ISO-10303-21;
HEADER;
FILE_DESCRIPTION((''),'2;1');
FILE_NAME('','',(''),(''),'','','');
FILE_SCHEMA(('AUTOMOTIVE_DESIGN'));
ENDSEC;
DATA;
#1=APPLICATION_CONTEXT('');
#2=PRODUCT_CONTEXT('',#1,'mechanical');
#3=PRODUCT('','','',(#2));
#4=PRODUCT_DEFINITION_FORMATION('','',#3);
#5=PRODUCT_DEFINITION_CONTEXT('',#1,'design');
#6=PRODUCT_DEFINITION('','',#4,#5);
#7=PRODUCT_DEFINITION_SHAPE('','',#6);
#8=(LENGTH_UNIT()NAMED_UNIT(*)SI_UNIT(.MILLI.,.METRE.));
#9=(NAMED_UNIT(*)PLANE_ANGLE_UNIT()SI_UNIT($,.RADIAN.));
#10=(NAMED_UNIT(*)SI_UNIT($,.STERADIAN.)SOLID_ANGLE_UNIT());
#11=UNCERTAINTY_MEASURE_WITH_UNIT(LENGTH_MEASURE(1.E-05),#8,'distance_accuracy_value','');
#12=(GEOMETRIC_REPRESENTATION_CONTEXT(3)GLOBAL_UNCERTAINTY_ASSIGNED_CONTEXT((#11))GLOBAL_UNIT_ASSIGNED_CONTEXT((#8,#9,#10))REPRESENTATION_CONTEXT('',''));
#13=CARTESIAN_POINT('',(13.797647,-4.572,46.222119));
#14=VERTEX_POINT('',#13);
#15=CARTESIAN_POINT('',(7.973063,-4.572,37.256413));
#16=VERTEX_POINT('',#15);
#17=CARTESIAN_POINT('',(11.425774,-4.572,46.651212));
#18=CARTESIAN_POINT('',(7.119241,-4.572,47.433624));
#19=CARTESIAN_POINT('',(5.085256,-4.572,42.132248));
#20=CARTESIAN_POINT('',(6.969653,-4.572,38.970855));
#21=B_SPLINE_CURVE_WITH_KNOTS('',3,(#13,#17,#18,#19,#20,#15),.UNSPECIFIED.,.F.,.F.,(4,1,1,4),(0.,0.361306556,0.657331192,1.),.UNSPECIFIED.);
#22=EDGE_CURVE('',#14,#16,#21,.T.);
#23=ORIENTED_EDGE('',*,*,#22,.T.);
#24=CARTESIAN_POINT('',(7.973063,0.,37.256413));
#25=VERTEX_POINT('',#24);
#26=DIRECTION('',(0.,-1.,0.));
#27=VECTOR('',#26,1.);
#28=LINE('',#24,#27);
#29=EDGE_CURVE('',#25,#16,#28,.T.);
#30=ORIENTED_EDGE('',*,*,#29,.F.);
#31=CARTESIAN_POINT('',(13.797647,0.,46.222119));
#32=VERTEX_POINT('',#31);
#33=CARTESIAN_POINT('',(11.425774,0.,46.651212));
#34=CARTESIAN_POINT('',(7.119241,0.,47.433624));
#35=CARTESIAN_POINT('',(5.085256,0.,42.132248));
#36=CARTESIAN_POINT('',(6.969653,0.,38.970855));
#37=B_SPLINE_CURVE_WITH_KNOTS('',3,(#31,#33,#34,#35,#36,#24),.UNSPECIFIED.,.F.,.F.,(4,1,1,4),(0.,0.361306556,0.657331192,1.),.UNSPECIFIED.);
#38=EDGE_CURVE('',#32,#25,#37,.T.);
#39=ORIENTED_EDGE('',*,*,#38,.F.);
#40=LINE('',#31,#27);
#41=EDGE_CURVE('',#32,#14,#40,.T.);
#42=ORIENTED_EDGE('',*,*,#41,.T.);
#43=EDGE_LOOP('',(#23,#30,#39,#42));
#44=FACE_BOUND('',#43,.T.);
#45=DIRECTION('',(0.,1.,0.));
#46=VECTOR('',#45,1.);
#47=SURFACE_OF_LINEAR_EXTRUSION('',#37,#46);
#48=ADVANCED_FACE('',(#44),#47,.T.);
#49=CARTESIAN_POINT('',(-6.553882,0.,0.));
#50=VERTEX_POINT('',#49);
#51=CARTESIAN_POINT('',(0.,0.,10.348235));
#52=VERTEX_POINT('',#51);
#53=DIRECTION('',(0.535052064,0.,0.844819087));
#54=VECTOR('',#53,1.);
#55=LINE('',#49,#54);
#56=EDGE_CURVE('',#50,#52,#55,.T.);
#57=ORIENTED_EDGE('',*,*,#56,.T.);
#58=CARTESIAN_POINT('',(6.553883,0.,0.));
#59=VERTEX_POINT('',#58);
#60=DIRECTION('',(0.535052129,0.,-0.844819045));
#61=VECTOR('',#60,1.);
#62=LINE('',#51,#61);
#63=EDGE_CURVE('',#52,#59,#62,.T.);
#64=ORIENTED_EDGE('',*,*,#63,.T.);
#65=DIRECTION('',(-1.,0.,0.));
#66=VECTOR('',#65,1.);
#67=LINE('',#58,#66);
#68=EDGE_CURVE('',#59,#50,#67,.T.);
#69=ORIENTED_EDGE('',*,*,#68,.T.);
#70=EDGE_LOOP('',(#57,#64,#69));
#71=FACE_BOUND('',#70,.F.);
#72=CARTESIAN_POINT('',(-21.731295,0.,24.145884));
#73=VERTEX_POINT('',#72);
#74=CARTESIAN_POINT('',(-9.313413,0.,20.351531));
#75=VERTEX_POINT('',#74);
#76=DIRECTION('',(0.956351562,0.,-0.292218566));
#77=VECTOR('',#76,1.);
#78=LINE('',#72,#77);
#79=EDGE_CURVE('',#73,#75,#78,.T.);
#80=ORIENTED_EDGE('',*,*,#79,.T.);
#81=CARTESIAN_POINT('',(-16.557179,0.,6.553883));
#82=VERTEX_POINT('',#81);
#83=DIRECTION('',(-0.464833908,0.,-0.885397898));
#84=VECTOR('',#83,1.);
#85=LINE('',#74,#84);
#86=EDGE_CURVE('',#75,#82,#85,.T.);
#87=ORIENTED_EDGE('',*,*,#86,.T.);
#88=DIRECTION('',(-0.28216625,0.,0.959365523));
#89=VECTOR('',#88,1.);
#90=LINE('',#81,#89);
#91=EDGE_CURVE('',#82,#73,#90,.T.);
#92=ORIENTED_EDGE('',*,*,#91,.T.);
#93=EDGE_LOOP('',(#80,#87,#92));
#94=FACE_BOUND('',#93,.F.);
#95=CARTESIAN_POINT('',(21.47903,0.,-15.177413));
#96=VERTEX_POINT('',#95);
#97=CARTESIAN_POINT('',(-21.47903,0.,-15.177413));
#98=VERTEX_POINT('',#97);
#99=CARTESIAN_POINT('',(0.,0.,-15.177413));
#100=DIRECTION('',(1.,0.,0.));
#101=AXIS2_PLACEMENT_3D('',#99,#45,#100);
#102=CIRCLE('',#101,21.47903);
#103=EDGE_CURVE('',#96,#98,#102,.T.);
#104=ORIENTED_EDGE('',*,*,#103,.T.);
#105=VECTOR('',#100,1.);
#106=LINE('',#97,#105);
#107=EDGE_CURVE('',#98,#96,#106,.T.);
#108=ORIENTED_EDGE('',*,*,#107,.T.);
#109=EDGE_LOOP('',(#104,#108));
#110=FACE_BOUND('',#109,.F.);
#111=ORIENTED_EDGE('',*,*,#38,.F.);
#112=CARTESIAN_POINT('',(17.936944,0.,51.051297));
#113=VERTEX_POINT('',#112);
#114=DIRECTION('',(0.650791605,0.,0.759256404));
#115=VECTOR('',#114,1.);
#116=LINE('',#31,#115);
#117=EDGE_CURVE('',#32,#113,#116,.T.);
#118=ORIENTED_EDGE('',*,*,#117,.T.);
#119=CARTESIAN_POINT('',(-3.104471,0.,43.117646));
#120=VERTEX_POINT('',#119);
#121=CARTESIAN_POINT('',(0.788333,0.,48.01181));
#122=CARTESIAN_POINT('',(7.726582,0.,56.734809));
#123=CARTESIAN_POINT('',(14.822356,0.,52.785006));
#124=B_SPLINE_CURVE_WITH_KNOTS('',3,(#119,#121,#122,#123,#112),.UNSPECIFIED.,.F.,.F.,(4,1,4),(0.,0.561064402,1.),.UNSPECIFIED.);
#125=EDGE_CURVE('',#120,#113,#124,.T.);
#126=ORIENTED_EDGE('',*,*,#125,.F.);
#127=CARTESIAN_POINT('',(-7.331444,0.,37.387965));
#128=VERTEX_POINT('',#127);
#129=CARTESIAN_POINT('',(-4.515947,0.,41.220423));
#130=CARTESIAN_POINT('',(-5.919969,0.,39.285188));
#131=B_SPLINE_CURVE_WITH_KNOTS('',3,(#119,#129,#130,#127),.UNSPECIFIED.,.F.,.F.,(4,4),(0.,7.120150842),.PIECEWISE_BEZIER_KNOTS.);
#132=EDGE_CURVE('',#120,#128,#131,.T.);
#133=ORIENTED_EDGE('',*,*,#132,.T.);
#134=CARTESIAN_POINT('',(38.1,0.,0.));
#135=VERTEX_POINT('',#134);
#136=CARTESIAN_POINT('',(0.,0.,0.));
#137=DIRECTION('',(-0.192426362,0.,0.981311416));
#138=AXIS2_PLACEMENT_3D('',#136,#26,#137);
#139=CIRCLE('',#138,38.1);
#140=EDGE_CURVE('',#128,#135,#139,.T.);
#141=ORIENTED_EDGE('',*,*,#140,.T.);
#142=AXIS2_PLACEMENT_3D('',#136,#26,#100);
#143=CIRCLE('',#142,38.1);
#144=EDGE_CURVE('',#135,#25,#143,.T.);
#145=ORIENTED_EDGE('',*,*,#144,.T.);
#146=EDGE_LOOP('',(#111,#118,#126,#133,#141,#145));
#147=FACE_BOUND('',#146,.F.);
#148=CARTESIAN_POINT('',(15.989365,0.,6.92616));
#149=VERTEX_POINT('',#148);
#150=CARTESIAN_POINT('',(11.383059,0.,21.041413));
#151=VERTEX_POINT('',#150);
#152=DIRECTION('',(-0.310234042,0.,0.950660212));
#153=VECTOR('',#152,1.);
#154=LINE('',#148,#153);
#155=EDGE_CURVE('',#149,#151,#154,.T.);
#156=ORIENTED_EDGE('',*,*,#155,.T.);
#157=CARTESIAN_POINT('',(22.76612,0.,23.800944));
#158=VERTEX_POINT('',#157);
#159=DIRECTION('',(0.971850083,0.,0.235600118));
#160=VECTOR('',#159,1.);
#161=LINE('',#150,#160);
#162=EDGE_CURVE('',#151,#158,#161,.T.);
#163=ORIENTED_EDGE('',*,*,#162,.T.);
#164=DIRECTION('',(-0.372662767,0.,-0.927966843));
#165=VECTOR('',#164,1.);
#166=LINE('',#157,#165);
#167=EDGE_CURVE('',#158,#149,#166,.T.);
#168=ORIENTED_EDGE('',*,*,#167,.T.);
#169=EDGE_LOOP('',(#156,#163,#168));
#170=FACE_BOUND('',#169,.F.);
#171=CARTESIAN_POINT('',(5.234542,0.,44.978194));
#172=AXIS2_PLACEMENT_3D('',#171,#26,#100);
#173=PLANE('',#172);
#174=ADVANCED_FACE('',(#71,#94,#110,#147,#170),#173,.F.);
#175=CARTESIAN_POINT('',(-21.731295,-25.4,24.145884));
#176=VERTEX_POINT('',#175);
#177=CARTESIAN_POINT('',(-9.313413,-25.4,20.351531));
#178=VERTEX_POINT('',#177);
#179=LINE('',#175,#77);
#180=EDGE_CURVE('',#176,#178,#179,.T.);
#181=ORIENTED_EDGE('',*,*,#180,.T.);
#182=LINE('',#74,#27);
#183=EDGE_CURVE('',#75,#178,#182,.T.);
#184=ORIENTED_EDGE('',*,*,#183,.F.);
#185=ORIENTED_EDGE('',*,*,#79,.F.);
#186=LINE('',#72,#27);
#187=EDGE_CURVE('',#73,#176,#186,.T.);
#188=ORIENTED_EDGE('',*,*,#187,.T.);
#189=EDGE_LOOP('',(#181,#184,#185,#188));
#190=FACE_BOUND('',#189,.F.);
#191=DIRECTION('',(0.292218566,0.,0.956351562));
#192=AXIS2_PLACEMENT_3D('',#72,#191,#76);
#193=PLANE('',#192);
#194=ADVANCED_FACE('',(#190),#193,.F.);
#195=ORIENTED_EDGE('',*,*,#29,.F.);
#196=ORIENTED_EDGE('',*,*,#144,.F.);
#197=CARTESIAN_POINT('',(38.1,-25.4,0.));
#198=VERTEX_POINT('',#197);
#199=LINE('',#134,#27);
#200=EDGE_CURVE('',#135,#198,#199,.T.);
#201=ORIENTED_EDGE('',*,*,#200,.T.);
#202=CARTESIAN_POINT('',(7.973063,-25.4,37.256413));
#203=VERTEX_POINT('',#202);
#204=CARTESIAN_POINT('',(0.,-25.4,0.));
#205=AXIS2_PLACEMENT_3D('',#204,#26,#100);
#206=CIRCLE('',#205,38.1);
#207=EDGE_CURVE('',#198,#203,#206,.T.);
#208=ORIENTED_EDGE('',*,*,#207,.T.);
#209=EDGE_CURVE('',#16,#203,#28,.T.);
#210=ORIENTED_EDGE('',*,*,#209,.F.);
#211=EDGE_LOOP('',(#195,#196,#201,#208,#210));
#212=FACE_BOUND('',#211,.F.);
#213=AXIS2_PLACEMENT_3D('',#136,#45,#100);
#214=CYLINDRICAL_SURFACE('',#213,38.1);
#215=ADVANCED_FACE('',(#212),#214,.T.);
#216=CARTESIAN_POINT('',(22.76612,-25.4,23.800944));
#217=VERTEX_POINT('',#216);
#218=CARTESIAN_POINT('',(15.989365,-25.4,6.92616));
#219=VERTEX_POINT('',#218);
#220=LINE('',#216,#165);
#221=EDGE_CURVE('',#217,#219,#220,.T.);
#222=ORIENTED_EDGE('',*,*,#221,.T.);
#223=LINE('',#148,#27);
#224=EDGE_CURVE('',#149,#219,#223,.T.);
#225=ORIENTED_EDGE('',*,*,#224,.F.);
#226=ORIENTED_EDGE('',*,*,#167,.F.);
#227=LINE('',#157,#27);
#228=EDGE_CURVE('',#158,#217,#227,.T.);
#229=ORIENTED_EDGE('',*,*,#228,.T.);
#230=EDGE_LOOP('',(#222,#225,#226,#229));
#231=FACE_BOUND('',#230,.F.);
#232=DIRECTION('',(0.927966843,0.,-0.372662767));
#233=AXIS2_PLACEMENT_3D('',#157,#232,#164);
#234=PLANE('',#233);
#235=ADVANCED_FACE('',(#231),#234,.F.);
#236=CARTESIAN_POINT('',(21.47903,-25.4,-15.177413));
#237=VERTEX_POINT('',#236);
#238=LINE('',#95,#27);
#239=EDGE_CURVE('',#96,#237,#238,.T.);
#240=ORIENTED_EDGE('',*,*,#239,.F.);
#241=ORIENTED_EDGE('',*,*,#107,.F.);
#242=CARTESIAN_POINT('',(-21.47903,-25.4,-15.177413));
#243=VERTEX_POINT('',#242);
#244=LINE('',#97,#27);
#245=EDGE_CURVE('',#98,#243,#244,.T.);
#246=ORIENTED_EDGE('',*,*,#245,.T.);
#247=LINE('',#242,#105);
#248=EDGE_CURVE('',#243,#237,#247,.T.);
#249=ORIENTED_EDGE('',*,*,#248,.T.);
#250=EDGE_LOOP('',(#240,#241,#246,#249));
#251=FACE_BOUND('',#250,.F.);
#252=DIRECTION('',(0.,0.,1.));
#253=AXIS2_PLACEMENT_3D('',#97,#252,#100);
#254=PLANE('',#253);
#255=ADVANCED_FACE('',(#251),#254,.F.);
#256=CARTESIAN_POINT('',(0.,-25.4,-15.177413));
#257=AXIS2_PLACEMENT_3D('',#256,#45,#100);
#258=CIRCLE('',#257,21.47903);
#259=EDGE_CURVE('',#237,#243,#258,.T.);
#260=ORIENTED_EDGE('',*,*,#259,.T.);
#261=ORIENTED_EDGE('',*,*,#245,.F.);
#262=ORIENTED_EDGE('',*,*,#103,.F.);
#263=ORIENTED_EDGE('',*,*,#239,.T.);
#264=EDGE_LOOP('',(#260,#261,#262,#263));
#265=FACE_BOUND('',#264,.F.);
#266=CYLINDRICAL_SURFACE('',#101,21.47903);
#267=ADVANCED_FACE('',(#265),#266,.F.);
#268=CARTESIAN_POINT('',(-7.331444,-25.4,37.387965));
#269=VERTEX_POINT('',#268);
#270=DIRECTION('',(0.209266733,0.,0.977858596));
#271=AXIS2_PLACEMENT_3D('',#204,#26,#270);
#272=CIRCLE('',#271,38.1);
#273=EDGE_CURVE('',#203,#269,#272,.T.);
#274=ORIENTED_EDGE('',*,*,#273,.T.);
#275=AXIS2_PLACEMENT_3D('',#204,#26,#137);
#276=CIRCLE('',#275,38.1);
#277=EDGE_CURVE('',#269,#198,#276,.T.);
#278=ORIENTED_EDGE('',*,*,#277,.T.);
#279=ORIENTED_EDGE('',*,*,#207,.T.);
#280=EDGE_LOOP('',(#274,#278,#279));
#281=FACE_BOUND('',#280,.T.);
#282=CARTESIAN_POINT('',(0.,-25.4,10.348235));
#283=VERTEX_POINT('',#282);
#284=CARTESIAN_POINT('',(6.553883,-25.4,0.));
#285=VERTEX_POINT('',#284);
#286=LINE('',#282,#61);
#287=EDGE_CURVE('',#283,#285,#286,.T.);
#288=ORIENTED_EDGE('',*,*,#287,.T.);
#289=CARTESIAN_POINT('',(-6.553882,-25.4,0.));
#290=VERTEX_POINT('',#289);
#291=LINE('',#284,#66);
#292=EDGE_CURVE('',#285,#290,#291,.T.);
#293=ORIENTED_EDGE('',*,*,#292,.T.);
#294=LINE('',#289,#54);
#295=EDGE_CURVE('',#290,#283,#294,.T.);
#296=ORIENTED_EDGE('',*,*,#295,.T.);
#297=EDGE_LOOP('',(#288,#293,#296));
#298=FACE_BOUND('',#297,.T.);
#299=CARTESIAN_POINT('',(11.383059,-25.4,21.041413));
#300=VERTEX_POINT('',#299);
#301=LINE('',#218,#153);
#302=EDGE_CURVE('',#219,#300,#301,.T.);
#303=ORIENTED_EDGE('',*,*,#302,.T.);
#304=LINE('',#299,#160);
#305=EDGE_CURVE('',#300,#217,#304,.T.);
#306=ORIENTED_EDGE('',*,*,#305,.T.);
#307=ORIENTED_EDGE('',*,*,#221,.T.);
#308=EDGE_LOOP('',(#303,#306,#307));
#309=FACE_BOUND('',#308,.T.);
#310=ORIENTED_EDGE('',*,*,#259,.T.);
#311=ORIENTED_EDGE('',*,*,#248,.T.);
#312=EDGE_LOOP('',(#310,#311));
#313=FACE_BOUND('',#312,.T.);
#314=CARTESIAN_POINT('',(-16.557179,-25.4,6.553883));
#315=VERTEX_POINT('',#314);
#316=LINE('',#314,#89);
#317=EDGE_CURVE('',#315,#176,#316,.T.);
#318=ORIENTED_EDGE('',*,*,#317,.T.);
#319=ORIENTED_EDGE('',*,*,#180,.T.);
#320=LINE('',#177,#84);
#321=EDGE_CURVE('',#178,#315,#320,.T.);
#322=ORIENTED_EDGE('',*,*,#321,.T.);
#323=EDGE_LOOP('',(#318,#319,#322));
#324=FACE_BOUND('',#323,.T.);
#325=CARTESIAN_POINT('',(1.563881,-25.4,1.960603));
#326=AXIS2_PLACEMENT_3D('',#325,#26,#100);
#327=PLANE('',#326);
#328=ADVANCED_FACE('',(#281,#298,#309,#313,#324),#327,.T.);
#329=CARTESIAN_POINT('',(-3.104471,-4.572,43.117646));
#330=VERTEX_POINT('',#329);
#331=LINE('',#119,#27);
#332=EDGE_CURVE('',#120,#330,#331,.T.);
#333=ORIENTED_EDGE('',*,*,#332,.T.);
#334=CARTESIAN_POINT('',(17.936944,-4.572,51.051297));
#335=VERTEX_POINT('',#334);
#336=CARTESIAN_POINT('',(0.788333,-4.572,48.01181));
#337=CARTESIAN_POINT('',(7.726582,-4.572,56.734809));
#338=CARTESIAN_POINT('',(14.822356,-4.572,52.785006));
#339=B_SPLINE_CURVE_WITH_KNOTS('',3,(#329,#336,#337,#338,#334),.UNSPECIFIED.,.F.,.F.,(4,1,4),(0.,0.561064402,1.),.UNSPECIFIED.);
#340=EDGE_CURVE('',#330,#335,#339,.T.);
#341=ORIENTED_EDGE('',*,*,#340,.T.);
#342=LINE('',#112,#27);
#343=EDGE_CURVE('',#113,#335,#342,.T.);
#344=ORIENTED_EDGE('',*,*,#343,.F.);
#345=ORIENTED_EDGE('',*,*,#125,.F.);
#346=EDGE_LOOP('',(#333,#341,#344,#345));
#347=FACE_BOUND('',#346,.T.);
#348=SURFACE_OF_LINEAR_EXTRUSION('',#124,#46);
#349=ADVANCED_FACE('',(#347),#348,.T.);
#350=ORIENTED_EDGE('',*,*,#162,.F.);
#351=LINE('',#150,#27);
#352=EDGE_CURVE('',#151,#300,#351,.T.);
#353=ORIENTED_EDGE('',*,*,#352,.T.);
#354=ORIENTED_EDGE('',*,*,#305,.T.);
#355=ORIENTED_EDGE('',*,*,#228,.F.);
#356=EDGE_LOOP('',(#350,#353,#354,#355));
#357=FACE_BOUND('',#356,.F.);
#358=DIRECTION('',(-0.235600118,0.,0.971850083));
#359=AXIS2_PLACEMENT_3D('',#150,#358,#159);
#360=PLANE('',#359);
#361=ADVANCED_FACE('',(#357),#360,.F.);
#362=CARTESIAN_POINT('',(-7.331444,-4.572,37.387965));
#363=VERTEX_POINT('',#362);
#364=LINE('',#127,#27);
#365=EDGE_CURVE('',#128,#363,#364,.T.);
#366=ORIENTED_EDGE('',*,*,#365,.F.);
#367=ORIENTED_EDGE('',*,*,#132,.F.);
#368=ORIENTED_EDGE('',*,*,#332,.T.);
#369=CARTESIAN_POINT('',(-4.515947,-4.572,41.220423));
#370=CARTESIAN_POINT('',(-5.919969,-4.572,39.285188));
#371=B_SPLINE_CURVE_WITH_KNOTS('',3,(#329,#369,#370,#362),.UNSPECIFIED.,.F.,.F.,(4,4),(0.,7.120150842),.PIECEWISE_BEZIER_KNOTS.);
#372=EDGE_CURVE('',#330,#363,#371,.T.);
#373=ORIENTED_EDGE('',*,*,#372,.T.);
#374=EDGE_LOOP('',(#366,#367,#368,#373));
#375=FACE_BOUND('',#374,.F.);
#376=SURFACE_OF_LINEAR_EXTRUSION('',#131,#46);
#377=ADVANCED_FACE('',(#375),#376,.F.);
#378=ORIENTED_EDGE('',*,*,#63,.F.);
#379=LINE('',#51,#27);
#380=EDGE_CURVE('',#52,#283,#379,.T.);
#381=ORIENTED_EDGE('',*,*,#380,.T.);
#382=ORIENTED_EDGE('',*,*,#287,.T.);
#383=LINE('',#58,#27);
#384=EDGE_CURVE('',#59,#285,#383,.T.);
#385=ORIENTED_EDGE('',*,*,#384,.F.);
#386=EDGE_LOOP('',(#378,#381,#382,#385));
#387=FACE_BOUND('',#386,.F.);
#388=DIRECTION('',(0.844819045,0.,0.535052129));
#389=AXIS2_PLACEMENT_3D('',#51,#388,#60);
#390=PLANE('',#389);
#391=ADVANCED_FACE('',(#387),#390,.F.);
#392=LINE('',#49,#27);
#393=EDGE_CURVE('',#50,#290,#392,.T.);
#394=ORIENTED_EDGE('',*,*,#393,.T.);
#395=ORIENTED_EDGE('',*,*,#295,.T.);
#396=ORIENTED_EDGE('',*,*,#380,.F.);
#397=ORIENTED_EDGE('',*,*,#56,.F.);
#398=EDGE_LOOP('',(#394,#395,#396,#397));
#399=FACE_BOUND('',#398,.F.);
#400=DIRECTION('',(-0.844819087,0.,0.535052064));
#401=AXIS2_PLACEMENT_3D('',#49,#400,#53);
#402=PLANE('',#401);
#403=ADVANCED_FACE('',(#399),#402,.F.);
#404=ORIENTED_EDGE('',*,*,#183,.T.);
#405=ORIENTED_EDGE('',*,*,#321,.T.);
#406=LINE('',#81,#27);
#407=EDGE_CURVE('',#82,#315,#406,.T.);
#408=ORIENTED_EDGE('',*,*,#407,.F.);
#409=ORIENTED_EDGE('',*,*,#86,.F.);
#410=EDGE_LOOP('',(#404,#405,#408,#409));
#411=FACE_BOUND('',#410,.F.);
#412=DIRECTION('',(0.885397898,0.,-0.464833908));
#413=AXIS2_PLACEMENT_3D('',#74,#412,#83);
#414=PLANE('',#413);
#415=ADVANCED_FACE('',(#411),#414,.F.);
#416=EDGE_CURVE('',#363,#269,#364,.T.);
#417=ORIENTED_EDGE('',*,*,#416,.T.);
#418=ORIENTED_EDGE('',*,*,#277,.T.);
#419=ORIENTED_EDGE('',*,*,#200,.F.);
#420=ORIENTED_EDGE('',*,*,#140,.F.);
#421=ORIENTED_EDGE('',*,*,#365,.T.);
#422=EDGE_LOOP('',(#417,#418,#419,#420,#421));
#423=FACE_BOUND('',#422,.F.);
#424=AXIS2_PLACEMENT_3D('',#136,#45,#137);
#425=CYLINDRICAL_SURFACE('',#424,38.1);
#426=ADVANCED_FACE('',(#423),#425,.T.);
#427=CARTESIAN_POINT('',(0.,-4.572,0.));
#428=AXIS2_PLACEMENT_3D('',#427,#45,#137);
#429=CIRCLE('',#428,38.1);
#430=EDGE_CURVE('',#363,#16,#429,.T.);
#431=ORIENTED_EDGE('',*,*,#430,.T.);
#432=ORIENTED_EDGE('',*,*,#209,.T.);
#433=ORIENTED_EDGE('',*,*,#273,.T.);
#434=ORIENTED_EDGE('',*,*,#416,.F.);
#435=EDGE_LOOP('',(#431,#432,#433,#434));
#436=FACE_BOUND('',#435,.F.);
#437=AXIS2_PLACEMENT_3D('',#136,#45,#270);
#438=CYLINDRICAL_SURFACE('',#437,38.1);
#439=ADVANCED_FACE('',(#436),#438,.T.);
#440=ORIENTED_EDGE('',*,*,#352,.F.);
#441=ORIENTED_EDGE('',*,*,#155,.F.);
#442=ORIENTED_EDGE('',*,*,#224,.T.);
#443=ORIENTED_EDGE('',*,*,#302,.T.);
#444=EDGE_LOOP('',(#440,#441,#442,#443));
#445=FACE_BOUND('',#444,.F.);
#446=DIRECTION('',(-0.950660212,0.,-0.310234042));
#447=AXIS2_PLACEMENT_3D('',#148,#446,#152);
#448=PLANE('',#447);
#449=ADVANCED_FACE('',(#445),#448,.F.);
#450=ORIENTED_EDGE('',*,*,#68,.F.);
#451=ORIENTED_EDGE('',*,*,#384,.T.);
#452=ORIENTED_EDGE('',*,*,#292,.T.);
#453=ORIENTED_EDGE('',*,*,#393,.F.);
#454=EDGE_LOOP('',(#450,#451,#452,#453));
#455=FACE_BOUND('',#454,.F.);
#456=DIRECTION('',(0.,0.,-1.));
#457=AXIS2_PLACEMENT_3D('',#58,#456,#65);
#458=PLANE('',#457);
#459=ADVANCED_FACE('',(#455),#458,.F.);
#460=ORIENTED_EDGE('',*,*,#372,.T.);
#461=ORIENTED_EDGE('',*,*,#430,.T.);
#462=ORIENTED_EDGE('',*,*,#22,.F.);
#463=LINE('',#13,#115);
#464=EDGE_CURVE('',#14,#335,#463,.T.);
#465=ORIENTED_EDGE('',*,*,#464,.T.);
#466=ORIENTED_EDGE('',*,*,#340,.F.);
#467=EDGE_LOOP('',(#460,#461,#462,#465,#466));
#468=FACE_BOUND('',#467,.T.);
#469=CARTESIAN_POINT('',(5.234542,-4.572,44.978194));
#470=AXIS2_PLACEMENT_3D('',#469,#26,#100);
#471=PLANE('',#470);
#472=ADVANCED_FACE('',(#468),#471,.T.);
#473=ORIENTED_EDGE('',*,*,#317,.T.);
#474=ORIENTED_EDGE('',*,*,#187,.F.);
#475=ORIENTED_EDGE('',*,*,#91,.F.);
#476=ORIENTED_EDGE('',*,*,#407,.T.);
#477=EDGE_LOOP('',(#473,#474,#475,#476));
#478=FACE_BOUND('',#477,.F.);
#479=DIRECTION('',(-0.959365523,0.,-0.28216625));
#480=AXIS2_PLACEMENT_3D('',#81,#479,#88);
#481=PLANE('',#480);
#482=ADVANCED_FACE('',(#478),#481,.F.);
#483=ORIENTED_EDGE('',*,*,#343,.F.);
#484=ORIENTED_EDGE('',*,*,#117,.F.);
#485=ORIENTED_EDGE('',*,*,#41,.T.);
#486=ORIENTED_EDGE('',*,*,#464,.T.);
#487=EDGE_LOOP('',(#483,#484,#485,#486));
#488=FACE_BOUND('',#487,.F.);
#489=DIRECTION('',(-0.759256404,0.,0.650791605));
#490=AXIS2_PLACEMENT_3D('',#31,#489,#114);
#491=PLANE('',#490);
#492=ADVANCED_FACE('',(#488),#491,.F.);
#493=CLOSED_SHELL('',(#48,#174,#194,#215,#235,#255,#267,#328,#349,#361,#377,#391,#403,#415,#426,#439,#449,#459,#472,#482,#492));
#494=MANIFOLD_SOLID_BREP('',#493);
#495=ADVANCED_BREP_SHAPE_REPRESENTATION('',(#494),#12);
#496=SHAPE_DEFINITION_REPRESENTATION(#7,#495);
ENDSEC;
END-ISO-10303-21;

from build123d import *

# Parameters (mm, degrees)
F1_DEPTH = 25.4
F2_DEPTH = 4.572


with BuildPart() as f1:
    # F0 (on Front) → F1 (new body)
    with BuildSketch(Plane.XZ):
        with BuildLine():
            ThreePointArc((-7.3314444091, 37.387964947), (-24.2103486965, -29.4188547703), (38.1, 0))
            ThreePointArc((38.1, 0), (29.6258643924, 23.956589052), (7.9730625194, 37.2564125227))
            ThreePointArc((7.9730625194, 37.2564125227), (0.3274827628, 38.0985925598), (-7.3314444091, 37.387964947))
        make_face()
        with BuildLine():
            ThreePointArc((21.4790297282, -15.1774131634), (0, -36.6564428916), (-21.4790297282, -15.1774131634))
            Line((-21.4790297282, -15.1774131634), (21.4790297282, -15.1774131634))
        make_face(mode=Mode.SUBTRACT)
        Polygon((-6.5538821451, 0), (0, 10.348235436), (6.5538832613, 0), align=None, mode=Mode.SUBTRACT)
        Polygon((-16.5571787067, 6.5538827032), (-21.7312953085, 24.1458841722), (-9.3134132318, 20.3515308814), align=None, mode=Mode.SUBTRACT)
        Polygon((15.9893649439, 6.9261599984), (11.3830587563, 21.0414130949), (22.7661197451, 23.8009441816), align=None, mode=Mode.SUBTRACT)
    extrude(amount=F1_DEPTH)

    # F0 (on Front) → F2 (join)
    with BuildSketch(Plane.XZ):
        with BuildLine():
            ThreePointArc((-7.3314444091, 37.387964947), (0.3274827628, 38.0985925598), (7.9730625194, 37.2564125227))
            add(Edge.make_bspline(
                [(13.7976465038, 46.2221194713), (11.4257742807, 46.6512124753), (7.1192413466, 47.4336244295), (5.0852564917, 42.1322478947), (6.9696530621, 38.9708554427), (7.9730625194, 37.2564125227)],
                knots=[0, 0, 0, 0, 0.361306556, 0.6573311923, 1, 1, 1, 1], degree=3))
            Line((13.7976465038, 46.2221194713), (17.9369442501, 51.0512971987))
            add(Edge.make_bspline(
                [(-3.1044713563, 43.1176461616), (0.7883330685, 48.011810346), (7.7265818936, 56.7348092941), (14.8223562753, 52.7850063276), (17.9369442501, 51.0512971987)],
                knots=[0, 0, 0, 0, 0.5610644015, 1, 1, 1, 1], degree=3))
            add(Edge.make_bspline(
                [(-3.1044713563, 43.1176461616), (-4.5159470278, 41.2204233442), (-5.9199687377, 39.2851877643), (-7.3314444091, 37.387964947)],
                knots=[0, 0, 0, 0, 7.1201508418, 7.1201508418, 7.1201508418, 7.1201508418], degree=3))
        make_face()
    extrude(amount=F2_DEPTH)


solid = f1.part
